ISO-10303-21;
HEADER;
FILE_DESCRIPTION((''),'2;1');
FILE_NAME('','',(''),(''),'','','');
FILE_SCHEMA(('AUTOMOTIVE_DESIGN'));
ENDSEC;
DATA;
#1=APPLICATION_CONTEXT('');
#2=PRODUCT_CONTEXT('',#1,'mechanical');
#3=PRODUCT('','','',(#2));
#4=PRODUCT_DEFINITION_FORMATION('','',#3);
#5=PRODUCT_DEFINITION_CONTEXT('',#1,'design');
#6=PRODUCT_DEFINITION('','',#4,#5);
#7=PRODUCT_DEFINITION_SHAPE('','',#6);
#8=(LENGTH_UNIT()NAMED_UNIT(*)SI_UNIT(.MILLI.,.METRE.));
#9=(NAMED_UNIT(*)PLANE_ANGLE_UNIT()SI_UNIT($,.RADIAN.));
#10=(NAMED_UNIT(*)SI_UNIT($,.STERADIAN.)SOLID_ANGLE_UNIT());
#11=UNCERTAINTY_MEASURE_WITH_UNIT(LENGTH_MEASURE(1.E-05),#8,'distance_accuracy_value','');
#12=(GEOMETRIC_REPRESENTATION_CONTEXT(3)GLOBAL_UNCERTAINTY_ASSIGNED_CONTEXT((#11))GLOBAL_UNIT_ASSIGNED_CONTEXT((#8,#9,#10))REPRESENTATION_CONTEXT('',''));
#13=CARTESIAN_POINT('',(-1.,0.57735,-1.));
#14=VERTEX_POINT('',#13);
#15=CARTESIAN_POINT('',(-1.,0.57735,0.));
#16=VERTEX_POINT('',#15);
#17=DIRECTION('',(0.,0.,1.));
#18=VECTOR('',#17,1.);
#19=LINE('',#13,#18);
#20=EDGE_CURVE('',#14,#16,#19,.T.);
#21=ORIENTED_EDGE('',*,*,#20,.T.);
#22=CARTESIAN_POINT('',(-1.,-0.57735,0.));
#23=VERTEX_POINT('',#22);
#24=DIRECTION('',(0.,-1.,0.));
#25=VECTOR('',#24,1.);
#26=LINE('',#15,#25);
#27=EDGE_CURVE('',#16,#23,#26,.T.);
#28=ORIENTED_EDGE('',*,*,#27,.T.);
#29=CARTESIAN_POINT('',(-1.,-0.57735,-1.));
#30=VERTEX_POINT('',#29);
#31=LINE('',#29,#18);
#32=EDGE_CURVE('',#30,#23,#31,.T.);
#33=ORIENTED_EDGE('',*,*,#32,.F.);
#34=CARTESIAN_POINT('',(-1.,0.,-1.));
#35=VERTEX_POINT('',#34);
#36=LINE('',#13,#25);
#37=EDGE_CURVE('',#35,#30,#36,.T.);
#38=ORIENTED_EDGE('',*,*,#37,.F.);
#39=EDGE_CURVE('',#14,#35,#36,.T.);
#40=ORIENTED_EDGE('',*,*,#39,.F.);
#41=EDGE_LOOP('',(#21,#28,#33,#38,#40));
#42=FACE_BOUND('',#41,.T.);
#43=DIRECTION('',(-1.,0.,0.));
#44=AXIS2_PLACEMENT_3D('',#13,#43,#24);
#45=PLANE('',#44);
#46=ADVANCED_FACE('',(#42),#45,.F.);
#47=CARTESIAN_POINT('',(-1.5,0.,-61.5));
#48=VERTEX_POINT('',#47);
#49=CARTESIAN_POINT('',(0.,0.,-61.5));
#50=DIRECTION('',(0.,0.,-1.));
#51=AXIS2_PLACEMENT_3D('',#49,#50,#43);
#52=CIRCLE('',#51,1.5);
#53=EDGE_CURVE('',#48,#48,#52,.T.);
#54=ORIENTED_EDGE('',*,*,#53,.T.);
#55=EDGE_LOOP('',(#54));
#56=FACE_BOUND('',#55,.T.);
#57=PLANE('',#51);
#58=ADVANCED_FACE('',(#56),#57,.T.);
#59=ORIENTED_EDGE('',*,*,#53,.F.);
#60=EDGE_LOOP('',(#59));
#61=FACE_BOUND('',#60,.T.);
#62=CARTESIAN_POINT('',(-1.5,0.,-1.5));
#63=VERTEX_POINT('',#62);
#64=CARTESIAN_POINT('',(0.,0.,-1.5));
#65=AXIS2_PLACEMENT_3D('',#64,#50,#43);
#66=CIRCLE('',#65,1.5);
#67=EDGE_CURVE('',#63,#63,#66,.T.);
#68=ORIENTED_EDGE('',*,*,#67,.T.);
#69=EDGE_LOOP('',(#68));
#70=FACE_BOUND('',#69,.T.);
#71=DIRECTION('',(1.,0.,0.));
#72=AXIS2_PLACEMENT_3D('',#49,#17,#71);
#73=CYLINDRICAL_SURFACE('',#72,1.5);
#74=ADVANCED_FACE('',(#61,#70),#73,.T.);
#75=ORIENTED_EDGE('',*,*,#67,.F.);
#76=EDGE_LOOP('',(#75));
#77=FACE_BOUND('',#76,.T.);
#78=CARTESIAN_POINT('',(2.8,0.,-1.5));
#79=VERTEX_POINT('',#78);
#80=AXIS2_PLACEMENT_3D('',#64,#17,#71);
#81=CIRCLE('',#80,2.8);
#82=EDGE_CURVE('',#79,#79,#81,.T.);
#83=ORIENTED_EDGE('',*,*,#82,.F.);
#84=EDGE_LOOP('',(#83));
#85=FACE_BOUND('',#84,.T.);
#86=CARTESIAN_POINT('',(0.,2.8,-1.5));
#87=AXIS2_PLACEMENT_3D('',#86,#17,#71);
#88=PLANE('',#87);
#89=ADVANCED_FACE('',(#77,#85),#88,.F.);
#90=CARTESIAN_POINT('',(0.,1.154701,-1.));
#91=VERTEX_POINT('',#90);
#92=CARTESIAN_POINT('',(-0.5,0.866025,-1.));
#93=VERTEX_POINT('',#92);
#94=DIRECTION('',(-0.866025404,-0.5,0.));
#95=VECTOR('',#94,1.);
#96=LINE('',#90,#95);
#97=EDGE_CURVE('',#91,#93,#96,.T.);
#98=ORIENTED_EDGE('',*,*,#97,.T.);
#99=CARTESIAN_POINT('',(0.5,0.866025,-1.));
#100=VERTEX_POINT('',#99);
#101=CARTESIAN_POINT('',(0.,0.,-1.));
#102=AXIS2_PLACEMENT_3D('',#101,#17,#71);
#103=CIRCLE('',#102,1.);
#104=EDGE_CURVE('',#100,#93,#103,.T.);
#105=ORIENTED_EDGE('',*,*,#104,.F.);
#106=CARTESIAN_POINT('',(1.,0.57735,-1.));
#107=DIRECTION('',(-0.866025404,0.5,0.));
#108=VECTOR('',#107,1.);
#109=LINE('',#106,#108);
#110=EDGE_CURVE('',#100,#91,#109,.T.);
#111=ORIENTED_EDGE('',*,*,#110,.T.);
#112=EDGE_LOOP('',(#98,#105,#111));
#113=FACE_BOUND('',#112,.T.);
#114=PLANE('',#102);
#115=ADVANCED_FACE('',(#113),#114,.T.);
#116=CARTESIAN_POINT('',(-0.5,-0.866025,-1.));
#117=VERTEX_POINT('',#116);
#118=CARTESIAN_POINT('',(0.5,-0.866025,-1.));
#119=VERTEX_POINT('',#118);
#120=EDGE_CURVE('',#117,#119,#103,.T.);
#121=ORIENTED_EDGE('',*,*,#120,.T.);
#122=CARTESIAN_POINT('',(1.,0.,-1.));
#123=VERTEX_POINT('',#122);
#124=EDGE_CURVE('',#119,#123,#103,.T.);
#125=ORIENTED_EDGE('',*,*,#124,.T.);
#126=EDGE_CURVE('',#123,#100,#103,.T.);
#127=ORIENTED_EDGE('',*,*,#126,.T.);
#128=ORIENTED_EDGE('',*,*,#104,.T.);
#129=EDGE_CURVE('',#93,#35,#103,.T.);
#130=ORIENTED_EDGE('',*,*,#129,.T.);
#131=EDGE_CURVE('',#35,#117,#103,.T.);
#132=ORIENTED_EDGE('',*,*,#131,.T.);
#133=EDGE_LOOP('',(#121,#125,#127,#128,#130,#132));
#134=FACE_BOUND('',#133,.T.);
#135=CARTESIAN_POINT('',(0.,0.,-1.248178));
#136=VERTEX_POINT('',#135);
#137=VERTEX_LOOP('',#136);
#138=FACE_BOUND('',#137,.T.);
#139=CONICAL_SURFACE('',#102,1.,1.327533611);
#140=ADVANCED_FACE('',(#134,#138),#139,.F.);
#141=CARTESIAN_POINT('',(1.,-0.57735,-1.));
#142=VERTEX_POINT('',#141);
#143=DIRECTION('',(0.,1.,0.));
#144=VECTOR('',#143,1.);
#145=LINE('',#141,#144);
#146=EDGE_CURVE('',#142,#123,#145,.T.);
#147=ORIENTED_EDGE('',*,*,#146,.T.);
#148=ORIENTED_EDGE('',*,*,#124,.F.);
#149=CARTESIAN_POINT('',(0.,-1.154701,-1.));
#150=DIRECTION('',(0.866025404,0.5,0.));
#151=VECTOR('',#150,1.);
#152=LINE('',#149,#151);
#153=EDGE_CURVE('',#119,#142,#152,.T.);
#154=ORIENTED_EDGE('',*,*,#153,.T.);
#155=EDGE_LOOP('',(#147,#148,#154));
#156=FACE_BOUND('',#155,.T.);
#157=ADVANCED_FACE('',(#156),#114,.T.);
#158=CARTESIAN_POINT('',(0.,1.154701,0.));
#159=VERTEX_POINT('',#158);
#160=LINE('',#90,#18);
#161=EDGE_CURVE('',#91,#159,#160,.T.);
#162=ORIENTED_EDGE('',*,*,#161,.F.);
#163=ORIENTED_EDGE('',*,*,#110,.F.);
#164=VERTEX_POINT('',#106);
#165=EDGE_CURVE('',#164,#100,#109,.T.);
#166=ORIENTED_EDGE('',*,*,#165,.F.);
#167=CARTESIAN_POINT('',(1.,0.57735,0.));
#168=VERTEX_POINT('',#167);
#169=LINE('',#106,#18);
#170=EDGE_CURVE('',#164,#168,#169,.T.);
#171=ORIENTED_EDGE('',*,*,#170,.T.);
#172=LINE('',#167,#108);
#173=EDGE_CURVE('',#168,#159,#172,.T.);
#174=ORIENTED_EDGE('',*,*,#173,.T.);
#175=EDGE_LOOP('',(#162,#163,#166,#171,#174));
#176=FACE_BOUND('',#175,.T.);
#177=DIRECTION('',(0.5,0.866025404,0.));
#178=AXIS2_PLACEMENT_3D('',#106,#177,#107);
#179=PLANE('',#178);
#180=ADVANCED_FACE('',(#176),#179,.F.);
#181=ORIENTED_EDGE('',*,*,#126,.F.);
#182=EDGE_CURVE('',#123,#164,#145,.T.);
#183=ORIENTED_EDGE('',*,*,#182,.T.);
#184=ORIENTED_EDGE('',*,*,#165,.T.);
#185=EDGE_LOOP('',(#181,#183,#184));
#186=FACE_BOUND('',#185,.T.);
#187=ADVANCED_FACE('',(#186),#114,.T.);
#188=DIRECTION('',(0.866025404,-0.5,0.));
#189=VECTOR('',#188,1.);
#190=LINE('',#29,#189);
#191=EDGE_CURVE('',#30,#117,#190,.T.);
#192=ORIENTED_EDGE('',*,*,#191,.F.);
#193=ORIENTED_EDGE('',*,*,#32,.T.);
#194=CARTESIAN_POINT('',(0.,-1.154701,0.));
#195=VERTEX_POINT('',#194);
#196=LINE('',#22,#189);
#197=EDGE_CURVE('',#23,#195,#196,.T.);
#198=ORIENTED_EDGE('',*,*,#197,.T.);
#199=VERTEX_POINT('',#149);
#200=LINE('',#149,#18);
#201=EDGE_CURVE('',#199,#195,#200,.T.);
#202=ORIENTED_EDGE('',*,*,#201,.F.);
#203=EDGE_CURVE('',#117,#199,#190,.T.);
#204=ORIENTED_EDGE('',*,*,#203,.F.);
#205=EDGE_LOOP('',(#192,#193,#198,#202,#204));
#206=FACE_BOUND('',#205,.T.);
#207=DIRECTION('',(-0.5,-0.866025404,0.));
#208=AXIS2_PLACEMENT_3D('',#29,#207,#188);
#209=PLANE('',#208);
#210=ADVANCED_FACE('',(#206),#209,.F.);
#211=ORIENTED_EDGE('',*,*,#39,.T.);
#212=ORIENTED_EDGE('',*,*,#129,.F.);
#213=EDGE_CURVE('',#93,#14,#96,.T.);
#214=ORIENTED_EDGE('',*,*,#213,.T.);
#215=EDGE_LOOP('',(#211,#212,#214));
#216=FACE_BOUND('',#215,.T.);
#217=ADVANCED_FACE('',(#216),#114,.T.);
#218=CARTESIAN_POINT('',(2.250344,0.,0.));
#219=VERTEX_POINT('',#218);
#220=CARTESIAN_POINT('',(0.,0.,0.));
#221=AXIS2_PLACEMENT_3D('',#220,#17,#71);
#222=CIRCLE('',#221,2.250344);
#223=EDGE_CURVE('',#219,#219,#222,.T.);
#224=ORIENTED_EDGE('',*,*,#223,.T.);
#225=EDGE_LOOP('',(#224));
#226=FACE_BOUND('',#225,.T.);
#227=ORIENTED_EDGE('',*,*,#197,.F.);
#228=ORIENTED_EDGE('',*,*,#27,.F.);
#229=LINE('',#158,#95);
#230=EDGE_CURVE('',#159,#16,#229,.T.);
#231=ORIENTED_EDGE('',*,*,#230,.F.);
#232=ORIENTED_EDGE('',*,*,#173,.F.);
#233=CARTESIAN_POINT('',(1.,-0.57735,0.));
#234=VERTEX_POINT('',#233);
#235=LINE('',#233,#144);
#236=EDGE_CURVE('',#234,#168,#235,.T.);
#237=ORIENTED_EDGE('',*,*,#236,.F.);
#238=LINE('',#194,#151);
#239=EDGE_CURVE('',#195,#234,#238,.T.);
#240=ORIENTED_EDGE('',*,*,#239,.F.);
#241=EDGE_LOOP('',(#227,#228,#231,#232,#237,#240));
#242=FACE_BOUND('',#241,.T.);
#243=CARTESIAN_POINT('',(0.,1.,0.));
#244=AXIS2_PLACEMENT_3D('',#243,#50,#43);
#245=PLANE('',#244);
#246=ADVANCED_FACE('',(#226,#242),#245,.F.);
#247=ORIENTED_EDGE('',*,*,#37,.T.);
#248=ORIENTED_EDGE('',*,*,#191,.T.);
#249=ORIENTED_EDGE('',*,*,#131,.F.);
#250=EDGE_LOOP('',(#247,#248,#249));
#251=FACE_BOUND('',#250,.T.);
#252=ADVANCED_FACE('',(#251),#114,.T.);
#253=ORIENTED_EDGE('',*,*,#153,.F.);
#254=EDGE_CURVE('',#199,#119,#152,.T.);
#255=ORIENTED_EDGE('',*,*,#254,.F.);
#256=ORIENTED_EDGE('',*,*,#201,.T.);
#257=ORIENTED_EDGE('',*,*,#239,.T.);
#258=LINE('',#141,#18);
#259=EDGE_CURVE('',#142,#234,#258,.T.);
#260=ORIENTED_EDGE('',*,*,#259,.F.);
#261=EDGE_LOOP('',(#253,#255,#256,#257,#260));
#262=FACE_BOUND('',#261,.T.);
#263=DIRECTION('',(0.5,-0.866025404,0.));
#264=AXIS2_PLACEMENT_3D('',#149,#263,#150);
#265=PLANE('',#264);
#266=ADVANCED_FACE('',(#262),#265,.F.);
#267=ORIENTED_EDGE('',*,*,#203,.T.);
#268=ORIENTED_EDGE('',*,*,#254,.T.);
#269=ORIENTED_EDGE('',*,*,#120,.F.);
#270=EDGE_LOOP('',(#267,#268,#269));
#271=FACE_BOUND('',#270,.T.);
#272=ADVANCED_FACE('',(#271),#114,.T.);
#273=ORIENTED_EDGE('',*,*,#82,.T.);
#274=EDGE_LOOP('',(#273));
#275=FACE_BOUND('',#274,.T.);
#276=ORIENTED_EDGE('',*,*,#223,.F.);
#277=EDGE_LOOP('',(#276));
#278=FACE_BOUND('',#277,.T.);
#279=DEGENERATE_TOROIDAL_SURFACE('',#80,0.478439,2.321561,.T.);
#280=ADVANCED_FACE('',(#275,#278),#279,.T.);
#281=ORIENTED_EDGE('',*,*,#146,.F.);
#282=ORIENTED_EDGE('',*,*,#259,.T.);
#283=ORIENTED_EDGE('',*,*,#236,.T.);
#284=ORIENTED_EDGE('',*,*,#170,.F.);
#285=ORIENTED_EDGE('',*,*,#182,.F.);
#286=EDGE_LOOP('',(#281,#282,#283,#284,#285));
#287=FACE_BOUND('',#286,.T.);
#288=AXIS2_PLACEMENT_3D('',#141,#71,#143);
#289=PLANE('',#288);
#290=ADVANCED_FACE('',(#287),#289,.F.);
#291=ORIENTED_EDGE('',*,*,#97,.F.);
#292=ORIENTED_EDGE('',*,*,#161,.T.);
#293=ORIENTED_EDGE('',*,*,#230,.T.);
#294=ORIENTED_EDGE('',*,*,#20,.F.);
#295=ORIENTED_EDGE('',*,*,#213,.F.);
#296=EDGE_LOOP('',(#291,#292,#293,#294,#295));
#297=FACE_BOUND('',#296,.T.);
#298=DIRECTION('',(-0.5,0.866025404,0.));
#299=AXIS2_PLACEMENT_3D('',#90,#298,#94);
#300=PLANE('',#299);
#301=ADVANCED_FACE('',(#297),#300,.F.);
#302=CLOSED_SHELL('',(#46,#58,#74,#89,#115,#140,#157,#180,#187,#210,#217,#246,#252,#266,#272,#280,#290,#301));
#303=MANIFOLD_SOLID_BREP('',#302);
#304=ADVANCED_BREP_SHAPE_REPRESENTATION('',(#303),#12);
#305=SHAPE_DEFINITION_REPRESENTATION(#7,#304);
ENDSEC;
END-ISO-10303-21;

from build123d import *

# Parameters (mm, degrees)
CUT_EXTRUDE_2_DEPTH = 1
SKETCH_3_R          = 1.5
EXTRUDE_1_DEPTH     = 60


with BuildPart() as part:
    # 草图1 → 旋转1 (revolve)
    with BuildSketch(Plane(origin=(0, 0, 0), x_dir=(0, 0, -1), z_dir=(1, 0, 0))):
        with BuildLine():
            Line((0, 2.250343623), (0, 1))
            Line((0, 1), (0, 0))
            Line((0, 0), (1, 0))
            Line((1, 0), (1, 1))
            Line((1, 1), (1.248177586, 0))
            Line((1.248177586, 0), (1.5, 0))
            Line((1.5, 0), (1.5, 1.5))
            Line((1.5, 1.5), (1.5, 2.8))
            ThreePointArc((1.5, 2.8), (0.701231865, 2.658258964), (0, 2.250343623))
        make_face()
    revolve(axis=Axis((0, 0, 0), (0, 0, -1)))

    # 草图2 → 切除-拉伸2 (cut)
    with BuildSketch(Plane.XY):
        Polygon((0, 1.154700538), (-1, 0.577350269), (-1, -0.577350269), (0, -1.154700538), (1, -0.577350269), (1, 0.577350269), align=None)
    extrude(amount=-CUT_EXTRUDE_2_DEPTH, mode=Mode.SUBTRACT)

    # 草图3 → 凸台-拉伸1 (add)
    with BuildSketch(Plane(origin=(0, 0, -1.5), x_dir=(-1, 0, 0), z_dir=(0, 0, -1))):
        Circle(SKETCH_3_R)
    extrude(amount=EXTRUDE_1_DEPTH)


solid = part.part
